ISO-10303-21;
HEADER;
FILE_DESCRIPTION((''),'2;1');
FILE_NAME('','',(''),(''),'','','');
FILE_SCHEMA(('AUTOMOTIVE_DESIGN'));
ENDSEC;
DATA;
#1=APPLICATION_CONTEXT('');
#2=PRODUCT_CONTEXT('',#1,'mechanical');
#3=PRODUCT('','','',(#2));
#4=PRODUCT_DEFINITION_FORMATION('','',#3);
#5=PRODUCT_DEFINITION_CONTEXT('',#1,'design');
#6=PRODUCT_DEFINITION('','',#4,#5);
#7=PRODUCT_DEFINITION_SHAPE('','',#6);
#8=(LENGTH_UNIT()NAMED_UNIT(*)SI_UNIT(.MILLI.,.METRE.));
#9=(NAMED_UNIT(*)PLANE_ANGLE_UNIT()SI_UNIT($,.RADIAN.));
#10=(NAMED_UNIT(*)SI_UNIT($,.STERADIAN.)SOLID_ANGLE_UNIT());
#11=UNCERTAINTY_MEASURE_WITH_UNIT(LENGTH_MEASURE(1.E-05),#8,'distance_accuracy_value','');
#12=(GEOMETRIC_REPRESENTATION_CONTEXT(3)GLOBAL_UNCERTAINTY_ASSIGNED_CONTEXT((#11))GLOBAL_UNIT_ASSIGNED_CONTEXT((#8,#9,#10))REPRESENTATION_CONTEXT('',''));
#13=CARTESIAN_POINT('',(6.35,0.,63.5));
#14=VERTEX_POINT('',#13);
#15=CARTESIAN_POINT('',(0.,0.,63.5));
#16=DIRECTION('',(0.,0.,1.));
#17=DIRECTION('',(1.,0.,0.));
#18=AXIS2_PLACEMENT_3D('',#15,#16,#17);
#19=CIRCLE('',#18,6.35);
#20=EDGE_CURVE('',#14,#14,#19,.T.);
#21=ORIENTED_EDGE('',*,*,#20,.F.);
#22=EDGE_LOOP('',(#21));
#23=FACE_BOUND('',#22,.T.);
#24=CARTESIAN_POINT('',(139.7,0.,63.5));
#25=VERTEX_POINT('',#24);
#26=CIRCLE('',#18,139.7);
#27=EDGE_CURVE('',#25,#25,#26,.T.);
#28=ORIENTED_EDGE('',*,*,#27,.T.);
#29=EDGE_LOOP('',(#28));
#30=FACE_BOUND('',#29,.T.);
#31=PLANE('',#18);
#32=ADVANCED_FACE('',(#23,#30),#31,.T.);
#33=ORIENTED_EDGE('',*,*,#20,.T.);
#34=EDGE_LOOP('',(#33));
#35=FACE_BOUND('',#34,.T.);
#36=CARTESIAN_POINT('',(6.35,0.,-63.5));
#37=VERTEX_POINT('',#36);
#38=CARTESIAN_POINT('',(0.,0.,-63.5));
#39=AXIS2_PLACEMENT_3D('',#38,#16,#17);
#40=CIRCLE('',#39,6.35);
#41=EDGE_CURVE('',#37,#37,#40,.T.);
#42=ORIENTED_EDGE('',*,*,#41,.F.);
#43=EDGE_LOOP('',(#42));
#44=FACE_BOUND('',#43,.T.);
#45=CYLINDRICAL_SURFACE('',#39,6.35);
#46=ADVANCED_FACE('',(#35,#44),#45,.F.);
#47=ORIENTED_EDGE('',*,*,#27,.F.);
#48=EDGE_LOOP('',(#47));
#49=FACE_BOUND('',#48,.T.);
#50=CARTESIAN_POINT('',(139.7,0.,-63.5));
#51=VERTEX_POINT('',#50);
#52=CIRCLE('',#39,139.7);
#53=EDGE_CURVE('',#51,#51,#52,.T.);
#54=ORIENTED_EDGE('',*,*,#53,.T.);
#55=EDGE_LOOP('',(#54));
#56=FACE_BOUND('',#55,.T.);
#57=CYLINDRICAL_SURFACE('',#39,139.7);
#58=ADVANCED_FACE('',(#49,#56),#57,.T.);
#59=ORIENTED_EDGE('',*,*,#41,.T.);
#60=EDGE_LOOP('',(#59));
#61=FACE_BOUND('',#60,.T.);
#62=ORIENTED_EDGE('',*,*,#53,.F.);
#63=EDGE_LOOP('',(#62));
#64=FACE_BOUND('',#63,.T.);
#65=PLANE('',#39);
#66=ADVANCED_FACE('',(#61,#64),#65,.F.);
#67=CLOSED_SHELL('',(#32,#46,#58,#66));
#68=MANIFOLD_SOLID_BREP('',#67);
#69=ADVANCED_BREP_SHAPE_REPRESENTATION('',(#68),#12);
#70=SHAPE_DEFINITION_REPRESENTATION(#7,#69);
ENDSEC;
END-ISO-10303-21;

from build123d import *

# Parameters (mm, degrees)
BOSS_EXTRUDE1_DEPTH      = 63.5
BOSS_EXTRUDE1_DEPTH_BACK = 63.5
SKETCH2_R                = 139.7
SKETCH3_R                = 6.35
CUT_EXTRUDE1_DEPTH       = 235.864173513


with BuildPart() as part:
    # Sketch2 → Boss-Extrude1 (new, two sides: drawn at the far end of the back side and taken through both)
    with BuildSketch(Plane.XY.offset(-BOSS_EXTRUDE1_DEPTH_BACK)):
        Circle(SKETCH2_R)
    extrude(amount=BOSS_EXTRUDE1_DEPTH + BOSS_EXTRUDE1_DEPTH_BACK)

    # Sketch3 → Cut-Extrude1 (cut, through all)
    with BuildSketch(Plane.XY.offset(63.5)):
        Circle(SKETCH3_R)
    extrude(amount=-CUT_EXTRUDE1_DEPTH, mode=Mode.SUBTRACT)


solid = part.part
